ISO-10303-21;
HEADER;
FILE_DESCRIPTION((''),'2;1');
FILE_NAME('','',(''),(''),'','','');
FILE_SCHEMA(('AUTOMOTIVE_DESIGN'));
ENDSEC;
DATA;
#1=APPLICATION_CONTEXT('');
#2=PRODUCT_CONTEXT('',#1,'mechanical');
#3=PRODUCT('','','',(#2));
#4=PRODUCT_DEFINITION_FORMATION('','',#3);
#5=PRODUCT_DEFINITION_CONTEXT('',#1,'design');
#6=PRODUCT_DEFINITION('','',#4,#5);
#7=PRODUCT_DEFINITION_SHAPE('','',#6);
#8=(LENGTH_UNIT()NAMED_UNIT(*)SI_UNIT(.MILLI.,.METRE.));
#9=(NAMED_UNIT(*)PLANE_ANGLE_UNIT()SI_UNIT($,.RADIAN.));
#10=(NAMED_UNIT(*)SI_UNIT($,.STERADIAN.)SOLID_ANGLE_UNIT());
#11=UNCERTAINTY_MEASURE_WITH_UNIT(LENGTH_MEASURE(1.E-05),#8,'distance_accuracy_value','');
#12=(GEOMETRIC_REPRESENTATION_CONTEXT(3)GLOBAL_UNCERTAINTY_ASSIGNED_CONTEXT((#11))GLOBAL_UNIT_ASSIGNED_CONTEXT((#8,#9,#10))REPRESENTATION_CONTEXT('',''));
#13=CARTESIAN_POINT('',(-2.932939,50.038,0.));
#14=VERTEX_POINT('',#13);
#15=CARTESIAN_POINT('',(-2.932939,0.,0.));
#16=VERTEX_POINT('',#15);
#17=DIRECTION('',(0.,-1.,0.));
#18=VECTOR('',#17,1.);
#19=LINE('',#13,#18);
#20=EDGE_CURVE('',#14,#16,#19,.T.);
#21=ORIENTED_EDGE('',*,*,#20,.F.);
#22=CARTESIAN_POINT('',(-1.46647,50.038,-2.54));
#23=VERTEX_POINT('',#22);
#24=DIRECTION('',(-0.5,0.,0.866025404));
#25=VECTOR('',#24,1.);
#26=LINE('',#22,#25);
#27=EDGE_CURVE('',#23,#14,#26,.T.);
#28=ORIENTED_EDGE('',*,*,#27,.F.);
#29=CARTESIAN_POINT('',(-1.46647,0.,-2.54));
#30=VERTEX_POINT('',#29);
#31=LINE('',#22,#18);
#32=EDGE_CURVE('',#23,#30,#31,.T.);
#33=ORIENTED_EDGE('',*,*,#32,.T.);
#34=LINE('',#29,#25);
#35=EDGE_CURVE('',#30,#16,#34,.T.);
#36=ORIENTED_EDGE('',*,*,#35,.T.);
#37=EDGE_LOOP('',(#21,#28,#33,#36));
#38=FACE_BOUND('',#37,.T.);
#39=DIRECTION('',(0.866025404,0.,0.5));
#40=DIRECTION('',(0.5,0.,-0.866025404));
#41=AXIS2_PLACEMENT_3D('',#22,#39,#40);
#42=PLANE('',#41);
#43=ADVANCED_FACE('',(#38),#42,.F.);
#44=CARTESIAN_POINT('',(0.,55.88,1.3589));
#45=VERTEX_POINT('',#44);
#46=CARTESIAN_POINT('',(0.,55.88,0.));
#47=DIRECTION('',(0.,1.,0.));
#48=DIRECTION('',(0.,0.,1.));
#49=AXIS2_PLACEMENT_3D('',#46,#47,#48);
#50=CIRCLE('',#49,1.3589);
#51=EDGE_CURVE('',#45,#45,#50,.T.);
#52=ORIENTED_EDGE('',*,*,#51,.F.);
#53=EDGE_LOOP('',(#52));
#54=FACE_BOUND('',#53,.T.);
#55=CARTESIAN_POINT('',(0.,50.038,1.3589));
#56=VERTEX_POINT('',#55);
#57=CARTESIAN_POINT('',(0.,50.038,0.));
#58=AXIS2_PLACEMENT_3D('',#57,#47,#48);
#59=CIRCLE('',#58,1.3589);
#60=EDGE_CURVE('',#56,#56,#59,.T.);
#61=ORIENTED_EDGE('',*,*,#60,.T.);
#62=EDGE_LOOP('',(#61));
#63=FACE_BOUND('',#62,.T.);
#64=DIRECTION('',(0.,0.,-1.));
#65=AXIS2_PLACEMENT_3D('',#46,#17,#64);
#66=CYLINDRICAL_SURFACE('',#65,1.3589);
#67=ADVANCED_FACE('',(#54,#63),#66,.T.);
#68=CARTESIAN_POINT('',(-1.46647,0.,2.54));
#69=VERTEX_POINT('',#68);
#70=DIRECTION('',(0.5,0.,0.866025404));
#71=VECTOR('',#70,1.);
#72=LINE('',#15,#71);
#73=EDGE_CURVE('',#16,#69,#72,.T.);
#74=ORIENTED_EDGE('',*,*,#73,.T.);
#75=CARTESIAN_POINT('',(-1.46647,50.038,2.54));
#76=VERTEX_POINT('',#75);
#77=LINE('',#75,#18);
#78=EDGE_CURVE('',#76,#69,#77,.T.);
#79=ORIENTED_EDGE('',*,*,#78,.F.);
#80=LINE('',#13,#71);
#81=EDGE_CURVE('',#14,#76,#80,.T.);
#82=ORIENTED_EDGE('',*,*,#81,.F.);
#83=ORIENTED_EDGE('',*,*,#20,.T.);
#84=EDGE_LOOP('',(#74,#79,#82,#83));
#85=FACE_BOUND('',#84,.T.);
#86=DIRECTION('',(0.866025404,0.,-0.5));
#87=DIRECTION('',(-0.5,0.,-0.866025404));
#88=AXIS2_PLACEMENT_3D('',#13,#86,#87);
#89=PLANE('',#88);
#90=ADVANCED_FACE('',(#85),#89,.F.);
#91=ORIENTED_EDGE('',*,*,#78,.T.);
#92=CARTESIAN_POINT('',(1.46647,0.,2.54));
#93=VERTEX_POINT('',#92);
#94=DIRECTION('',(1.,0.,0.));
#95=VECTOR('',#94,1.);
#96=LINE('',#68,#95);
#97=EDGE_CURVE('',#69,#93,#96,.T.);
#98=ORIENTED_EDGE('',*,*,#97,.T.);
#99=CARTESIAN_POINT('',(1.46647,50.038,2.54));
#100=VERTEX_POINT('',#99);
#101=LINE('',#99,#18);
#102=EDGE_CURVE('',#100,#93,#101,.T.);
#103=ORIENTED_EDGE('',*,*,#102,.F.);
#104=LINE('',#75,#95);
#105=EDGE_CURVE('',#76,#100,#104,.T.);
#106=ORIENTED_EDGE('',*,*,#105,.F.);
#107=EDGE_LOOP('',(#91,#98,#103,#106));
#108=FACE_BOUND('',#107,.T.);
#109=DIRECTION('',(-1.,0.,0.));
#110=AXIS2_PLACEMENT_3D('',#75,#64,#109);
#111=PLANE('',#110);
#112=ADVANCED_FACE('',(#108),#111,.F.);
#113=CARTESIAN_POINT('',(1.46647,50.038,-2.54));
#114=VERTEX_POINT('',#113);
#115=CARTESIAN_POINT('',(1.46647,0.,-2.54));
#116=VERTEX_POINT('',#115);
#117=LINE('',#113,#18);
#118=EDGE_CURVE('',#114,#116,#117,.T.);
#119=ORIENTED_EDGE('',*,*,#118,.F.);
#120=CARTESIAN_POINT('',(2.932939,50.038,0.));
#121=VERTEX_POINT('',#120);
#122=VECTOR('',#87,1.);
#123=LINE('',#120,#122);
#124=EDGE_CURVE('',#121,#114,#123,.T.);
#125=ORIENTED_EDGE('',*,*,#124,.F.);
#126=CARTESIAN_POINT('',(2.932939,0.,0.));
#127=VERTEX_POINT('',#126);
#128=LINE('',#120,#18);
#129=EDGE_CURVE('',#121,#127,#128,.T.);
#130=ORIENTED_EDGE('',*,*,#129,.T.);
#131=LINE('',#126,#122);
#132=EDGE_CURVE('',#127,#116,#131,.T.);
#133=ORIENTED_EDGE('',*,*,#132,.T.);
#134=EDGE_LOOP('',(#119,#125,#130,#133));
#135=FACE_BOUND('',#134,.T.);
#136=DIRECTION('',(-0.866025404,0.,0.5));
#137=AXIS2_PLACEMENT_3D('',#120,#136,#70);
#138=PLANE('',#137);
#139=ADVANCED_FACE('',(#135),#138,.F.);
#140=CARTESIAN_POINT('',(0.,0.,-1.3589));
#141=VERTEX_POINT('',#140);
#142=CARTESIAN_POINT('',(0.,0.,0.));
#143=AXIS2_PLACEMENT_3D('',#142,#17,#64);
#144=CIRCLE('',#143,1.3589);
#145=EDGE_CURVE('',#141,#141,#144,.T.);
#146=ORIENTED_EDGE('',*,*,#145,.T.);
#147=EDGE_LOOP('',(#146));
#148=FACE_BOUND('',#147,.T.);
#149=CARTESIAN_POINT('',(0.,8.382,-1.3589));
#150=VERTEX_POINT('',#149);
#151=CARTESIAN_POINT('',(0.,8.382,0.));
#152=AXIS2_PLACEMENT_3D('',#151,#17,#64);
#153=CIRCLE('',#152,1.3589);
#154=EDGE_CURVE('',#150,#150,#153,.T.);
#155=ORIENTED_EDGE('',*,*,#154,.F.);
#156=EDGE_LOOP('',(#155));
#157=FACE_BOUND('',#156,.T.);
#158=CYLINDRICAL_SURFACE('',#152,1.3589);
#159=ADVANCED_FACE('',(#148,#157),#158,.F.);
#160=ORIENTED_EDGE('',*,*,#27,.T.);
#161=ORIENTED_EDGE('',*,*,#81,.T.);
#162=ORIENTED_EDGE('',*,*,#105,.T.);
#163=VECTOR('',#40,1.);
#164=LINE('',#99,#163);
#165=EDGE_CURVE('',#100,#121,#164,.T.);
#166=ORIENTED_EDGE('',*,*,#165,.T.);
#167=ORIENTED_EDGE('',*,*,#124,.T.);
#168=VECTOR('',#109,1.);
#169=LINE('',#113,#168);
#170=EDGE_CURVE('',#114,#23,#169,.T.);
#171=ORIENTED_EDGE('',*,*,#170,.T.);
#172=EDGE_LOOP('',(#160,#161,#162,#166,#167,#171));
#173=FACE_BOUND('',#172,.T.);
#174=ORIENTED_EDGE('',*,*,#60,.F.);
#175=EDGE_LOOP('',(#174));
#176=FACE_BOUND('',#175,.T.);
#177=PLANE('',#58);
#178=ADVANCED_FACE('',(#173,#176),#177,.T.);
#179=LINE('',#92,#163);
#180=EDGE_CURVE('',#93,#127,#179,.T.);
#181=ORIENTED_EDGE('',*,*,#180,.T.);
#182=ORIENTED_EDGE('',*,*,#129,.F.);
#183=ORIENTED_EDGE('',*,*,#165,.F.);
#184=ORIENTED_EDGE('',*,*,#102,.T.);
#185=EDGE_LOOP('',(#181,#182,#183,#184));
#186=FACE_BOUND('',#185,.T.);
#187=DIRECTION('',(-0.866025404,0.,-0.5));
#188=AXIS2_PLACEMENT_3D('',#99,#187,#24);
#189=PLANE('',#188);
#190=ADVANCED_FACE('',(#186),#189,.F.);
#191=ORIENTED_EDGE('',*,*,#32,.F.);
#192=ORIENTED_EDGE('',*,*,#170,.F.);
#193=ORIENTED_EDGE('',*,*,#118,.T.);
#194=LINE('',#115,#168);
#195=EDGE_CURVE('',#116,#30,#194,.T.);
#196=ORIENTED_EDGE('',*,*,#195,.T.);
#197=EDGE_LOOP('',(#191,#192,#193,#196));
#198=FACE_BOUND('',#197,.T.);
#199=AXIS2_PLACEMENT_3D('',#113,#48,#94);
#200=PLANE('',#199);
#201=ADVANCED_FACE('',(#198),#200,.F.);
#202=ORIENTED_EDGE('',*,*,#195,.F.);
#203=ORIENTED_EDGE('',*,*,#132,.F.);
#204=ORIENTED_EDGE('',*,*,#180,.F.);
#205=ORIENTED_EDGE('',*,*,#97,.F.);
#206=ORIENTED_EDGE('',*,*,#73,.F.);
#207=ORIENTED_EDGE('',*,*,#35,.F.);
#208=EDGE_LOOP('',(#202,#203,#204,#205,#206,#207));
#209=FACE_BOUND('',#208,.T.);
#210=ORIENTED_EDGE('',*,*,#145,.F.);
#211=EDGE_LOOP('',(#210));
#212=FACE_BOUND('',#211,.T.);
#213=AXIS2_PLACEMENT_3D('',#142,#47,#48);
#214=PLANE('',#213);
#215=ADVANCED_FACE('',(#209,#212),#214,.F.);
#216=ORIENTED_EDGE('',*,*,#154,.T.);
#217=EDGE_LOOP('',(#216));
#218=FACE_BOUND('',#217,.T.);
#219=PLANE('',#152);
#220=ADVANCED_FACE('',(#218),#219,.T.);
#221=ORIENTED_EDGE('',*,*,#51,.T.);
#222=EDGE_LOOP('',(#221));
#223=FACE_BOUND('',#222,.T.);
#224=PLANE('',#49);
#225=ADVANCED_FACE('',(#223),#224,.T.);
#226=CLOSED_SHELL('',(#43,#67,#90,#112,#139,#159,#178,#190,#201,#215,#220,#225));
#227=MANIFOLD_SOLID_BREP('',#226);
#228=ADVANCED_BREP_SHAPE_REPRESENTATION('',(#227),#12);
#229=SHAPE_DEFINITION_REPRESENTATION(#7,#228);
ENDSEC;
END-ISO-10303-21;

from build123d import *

# Parameters (mm, degrees)
BOSS_EXTRUDE1_DEPTH = 50.038
SKETCH2_R           = 1.3589
BOSS_EXTRUDE2_DEPTH = 5.842
SKETCH3_R           = 1.3589
CUT_EXTRUDE1_DEPTH  = 8.382


with BuildPart() as part:
    # Sketch1 → Boss-Extrude1 (new body)
    with BuildSketch(Plane(origin=(0, 0, 0), x_dir=(1, 0, 0), z_dir=(0, 1, 0))):
        Polygon((2.932939367, 0), (1.466469684, 2.54), (-1.466469684, 2.54), (-2.932939367, 0), (-1.466469684, -2.54), (1.466469684, -2.54), align=None)
    extrude(amount=BOSS_EXTRUDE1_DEPTH)

    # Sketch2 → Boss-Extrude2 (add)
    with BuildSketch(Plane(origin=(0, 50.038, 0), x_dir=(1, 0, 0), z_dir=(0, 1, 0))):
        with Locations(Location((0, 0, 0), (0, 0, 270))):
            Circle(SKETCH2_R)
    extrude(amount=BOSS_EXTRUDE2_DEPTH)

    # Sketch3 → Cut-Extrude1 (cut)
    with BuildSketch(Plane(origin=(0, 0, 0), x_dir=(-1, 0, 0), z_dir=(0, -1, 0))):
        with Locations(Location((0, 0, 0), (0, 0, 270))):
            Circle(SKETCH3_R)
    extrude(amount=-CUT_EXTRUDE1_DEPTH, mode=Mode.SUBTRACT)


solid = part.part
